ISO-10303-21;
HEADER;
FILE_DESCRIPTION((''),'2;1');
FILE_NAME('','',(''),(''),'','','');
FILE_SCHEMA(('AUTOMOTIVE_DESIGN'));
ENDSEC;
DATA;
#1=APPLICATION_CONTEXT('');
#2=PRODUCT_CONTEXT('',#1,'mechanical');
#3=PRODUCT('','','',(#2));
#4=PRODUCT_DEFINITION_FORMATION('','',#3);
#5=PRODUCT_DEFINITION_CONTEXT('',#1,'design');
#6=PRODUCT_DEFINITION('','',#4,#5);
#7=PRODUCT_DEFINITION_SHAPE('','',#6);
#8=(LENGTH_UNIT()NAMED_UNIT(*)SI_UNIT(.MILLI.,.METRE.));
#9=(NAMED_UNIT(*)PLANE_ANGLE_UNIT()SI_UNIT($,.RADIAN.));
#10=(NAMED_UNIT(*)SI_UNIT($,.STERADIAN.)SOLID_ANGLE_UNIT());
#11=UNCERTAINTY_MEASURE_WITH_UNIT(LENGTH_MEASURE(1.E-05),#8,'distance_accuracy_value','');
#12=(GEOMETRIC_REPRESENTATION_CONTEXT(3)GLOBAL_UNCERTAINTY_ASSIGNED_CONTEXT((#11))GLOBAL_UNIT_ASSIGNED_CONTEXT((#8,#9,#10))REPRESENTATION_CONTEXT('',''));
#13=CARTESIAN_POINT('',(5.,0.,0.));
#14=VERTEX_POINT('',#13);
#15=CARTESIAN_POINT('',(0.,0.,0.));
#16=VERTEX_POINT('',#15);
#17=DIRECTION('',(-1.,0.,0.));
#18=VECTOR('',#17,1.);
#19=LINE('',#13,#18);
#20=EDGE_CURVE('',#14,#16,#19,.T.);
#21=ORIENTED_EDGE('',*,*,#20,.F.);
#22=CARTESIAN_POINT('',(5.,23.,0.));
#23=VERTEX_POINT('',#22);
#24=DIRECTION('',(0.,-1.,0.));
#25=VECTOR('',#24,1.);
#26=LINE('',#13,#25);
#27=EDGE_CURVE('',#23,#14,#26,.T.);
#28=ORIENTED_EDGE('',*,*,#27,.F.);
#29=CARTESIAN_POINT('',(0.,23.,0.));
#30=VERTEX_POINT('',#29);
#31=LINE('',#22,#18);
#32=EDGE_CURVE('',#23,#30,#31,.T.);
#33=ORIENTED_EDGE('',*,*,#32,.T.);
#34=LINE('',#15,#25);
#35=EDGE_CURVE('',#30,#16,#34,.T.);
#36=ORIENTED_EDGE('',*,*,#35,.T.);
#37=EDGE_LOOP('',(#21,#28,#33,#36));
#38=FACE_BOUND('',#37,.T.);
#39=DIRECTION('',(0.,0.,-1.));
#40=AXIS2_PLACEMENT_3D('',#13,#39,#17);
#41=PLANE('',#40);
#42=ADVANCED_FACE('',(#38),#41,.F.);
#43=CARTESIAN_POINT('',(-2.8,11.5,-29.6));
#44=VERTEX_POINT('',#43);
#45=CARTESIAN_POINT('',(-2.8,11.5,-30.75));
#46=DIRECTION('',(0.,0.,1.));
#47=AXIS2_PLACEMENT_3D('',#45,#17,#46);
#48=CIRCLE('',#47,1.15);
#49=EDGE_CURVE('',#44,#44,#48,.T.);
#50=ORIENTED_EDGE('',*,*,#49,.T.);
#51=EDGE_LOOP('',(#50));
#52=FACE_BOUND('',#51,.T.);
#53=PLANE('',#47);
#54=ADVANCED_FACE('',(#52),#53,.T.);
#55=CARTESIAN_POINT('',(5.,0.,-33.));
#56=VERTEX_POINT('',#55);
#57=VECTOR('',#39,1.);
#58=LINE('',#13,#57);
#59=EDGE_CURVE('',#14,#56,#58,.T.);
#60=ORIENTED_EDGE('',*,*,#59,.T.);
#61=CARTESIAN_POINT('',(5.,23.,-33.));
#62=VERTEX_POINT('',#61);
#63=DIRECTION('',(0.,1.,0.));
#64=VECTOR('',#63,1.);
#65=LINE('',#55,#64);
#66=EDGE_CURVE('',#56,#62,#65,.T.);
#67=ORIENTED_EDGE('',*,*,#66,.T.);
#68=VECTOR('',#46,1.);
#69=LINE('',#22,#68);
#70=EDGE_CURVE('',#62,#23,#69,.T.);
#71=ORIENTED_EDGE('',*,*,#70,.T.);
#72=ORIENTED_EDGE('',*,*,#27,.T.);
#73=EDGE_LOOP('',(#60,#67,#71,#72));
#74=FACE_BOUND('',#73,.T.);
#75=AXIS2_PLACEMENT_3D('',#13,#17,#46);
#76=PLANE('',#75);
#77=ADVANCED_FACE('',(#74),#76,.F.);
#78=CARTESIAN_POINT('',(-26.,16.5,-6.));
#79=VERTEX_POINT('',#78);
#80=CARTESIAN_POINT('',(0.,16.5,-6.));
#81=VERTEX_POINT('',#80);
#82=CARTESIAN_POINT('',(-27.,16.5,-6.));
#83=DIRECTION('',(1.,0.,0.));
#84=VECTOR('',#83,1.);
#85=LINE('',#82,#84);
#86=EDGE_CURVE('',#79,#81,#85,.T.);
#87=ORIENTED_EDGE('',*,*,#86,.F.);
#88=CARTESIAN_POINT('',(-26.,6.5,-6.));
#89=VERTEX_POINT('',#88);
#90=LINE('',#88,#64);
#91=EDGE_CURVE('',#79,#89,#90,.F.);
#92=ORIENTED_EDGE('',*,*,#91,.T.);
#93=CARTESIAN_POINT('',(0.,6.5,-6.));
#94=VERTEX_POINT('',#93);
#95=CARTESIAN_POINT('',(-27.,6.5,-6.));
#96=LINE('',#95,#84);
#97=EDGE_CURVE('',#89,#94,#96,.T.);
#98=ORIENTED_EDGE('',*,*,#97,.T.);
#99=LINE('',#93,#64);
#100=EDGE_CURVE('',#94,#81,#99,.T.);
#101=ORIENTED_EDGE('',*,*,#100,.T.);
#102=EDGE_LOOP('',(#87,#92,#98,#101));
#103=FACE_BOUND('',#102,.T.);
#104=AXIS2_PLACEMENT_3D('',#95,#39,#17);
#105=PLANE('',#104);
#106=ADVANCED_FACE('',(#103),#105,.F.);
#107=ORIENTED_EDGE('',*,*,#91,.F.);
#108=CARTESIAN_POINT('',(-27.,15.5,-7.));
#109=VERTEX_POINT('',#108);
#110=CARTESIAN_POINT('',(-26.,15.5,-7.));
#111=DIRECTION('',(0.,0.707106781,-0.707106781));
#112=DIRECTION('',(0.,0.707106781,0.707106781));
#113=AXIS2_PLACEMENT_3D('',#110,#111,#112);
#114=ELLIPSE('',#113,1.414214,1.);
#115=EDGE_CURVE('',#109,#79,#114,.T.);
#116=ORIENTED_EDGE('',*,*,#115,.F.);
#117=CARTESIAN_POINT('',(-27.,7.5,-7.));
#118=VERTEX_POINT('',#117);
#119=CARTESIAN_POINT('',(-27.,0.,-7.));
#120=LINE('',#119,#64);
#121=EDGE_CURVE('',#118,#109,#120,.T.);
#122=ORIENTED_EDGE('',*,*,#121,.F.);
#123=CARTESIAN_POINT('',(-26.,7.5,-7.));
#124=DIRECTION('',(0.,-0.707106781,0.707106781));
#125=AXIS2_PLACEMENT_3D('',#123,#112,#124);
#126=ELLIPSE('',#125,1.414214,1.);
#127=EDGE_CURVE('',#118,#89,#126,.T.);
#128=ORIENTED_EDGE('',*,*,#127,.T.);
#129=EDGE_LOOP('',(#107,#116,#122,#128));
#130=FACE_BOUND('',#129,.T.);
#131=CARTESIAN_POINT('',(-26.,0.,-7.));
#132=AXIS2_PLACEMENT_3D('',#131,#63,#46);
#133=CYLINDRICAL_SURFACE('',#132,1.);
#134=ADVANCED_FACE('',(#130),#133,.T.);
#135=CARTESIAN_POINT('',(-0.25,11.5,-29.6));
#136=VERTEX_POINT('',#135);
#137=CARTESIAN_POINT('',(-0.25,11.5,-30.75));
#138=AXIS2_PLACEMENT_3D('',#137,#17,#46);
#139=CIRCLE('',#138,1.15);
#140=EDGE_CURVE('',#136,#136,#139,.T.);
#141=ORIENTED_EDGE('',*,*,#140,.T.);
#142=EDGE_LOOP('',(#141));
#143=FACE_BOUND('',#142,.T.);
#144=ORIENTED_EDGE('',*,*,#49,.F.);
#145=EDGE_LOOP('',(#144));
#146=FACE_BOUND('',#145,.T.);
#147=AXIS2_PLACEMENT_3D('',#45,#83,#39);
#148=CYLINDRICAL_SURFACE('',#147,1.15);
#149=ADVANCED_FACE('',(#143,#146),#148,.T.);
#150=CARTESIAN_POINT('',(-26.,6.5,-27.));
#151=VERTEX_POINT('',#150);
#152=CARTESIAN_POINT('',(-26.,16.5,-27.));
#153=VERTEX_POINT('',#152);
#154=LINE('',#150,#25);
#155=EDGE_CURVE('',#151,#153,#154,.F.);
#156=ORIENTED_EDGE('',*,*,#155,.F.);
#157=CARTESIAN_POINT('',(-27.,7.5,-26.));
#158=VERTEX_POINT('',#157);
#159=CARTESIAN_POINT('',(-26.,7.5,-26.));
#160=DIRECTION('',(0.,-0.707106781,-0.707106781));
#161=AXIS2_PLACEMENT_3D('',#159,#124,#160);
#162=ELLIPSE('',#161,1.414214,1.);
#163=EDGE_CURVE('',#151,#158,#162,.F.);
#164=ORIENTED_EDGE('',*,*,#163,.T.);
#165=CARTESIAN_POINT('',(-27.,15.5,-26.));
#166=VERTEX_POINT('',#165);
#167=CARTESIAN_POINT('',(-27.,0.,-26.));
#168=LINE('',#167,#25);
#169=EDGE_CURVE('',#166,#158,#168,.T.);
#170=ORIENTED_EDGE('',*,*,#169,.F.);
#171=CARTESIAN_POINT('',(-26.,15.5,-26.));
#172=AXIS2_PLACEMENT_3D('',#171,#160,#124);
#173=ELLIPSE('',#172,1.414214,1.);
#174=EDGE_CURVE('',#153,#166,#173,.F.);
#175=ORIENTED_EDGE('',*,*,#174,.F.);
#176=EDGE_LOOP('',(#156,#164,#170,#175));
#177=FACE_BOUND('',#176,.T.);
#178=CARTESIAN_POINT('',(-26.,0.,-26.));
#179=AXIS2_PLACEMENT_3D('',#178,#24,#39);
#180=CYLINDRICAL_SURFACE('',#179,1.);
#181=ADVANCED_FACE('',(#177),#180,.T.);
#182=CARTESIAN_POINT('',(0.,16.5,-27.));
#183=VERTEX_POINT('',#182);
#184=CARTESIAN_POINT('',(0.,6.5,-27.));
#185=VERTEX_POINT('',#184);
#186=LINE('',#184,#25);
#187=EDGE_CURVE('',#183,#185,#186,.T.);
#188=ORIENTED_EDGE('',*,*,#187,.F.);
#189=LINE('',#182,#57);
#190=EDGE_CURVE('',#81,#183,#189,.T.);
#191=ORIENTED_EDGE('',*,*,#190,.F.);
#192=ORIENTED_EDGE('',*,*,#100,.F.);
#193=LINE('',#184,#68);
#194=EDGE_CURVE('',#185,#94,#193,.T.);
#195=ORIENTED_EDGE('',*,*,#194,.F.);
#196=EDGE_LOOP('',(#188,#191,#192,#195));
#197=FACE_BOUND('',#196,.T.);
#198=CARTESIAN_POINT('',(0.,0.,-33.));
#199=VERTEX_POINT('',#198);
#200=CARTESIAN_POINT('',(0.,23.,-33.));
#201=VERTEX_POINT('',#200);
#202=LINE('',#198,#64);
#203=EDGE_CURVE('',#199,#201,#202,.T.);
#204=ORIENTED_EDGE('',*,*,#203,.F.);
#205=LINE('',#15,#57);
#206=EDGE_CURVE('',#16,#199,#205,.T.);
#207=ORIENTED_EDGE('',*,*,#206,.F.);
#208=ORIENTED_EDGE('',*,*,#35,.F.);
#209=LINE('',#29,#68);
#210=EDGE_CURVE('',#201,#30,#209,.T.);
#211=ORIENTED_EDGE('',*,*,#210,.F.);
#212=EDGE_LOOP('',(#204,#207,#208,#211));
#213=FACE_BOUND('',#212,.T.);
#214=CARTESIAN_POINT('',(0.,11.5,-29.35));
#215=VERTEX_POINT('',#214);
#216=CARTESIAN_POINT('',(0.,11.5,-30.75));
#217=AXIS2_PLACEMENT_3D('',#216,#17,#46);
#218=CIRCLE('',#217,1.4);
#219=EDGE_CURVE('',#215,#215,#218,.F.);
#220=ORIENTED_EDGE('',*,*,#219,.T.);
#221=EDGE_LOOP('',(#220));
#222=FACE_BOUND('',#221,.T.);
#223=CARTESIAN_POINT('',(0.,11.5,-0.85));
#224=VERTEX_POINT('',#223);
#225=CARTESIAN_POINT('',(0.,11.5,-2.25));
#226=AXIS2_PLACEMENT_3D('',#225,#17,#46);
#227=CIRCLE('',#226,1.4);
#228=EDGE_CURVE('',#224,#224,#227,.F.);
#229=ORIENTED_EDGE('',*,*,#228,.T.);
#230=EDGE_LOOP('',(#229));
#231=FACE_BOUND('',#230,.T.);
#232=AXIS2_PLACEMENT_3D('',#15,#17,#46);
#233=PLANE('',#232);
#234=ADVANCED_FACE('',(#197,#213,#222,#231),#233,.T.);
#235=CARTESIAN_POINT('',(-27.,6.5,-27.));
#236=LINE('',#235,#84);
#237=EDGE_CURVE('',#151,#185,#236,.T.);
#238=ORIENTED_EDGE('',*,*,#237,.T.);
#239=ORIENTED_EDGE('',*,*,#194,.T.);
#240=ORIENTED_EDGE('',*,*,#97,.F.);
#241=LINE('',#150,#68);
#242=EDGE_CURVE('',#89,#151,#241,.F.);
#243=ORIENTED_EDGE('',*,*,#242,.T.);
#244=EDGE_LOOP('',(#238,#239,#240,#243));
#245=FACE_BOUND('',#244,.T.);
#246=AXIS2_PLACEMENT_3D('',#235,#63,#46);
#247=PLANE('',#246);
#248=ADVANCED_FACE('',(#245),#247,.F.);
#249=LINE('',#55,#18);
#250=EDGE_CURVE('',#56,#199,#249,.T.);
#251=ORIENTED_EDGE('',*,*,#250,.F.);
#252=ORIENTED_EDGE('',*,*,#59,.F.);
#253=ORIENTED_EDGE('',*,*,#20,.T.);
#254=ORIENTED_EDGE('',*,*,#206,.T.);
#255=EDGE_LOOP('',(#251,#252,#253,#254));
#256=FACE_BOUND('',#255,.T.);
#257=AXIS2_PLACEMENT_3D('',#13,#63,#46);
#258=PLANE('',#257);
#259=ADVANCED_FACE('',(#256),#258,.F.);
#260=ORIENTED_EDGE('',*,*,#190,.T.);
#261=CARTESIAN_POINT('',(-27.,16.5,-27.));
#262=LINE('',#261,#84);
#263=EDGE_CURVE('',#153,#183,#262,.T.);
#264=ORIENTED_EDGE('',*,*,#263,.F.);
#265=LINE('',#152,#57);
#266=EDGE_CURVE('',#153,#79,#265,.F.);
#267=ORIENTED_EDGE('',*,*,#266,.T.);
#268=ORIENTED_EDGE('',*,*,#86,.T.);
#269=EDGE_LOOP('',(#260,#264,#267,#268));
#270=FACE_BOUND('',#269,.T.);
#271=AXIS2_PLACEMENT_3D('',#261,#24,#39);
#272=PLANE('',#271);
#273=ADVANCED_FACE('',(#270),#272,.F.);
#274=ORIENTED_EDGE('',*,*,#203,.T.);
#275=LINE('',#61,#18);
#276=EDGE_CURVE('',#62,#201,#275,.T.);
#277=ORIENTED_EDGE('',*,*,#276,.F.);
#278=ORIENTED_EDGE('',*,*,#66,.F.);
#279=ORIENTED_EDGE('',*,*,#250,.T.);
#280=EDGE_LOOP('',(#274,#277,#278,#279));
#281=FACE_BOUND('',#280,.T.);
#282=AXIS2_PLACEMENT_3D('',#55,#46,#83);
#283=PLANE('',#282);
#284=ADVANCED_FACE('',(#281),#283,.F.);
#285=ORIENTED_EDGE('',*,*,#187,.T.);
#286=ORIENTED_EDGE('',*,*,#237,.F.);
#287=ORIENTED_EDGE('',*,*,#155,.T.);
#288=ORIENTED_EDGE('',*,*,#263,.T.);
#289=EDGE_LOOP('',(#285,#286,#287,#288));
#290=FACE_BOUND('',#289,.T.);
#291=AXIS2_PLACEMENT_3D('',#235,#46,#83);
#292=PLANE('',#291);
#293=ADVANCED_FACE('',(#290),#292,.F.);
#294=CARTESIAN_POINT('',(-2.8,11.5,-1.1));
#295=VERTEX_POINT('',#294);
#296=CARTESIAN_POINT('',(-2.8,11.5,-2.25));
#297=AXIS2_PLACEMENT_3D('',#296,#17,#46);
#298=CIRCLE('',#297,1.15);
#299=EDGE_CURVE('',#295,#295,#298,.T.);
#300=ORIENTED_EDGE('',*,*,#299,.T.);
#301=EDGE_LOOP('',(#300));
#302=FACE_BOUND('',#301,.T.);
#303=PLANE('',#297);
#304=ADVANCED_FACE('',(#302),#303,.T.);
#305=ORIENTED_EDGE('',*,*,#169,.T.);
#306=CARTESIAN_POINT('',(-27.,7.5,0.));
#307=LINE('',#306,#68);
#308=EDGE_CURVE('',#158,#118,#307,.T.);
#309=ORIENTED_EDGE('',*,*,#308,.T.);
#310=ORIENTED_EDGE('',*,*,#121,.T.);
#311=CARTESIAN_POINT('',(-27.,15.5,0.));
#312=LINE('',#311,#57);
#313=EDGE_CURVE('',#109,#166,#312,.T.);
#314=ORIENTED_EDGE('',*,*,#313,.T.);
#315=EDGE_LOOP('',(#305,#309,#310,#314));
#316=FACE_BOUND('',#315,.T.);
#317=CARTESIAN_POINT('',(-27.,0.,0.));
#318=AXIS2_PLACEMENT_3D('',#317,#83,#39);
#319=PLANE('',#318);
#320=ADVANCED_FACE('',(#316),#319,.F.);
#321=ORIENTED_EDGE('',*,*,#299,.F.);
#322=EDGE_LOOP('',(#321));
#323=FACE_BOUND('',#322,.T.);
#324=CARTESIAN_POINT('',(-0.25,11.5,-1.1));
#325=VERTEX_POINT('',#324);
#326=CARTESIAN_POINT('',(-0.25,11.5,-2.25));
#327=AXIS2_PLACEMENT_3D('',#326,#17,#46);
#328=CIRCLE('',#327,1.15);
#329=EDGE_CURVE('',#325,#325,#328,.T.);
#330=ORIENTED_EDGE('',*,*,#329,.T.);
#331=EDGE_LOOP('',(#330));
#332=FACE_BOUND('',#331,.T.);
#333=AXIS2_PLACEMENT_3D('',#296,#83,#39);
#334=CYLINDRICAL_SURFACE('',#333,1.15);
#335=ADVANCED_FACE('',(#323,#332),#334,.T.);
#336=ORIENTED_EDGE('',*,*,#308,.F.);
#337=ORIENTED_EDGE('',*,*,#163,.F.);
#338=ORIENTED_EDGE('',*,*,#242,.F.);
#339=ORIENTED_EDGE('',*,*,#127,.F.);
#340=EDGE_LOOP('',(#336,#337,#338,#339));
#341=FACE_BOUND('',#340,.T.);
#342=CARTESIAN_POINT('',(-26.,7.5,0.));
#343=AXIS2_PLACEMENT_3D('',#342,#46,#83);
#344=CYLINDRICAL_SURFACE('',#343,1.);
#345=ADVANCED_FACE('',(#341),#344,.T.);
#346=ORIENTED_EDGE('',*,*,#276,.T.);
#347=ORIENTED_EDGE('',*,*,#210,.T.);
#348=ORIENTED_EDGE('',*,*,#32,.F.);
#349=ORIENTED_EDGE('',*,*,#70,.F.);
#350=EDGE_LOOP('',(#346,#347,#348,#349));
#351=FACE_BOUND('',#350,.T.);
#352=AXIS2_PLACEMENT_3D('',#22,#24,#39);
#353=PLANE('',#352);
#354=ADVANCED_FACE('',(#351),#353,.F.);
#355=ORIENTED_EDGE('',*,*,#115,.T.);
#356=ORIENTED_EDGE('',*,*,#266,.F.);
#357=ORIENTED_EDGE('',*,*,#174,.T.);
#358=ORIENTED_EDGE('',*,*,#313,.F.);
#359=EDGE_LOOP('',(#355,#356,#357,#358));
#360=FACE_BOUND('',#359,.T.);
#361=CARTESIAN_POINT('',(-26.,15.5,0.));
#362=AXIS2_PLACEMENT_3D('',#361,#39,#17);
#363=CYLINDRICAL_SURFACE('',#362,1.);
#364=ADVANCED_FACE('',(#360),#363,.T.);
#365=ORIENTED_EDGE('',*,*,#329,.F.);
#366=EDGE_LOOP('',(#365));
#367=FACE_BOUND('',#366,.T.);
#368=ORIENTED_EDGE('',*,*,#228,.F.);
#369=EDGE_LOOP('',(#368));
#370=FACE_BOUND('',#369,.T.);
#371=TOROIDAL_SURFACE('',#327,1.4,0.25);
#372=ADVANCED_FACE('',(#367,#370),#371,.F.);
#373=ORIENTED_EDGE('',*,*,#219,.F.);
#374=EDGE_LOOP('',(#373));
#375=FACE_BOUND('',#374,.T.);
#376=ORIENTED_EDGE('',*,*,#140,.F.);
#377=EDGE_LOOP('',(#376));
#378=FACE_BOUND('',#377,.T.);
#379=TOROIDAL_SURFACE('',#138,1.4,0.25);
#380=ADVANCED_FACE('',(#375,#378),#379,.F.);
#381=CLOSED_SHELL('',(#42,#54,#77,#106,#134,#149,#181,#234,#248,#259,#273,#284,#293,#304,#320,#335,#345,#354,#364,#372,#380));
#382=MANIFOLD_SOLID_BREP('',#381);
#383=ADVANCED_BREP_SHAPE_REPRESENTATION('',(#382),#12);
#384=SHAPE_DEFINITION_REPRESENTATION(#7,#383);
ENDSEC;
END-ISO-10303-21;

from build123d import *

# Parameters (mm, degrees)
SKETCH1_W           = 33
SKETCH1_H           = 23
BOSS_EXTRUDE1_DEPTH = 5
SKETCH2_W           = 21
SKETCH2_H           = 10
BOSS_EXTRUDE2_DEPTH = 27
FILLET1_R           = 1
SKETCH3_R           = 1.15
BOSS_EXTRUDE5_DEPTH = 2.8
FILLET9_R           = 0.25


with BuildPart() as part:
    # Sketch1 → Boss-Extrude1 (new body)
    with BuildSketch(Plane(origin=(0, 0, 0), x_dir=(0, 0, -1), z_dir=(1, 0, 0))):
        with Locations((16.5, 11.5)):
            Rectangle(SKETCH1_W, SKETCH1_H)
    extrude(amount=BOSS_EXTRUDE1_DEPTH)

    # Sketch2 → Boss-Extrude2 (add)
    with BuildSketch(Plane.ZY):
        with Locations((-16.5, 11.5)):
            Rectangle(SKETCH2_W, SKETCH2_H)
    extrude(amount=BOSS_EXTRUDE2_DEPTH)

    # Fillet1
    fillet1_edges = [part.edges().sort_by_distance(p)[0] for p in [
        (-27, 11.5, -27),
        (-27, 6.5, -16.5),
        (-27, 11.5, -6),
        (-27, 16.5, -16.5),
    ]]
    fillet(fillet1_edges, radius=FILLET1_R)

    # Sketch3 → Boss-Extrude5 (add)
    with BuildSketch(Plane.ZY):
        with Locations((-2.25, 11.5)):
            Circle(SKETCH3_R)
        with Locations((-30.75, 11.5)):
            Circle(SKETCH3_R)
    extrude(amount=BOSS_EXTRUDE5_DEPTH)

    # Fillet9
    fillet9_edges = [part.edges().sort_by_distance(p)[0] for p in [
        (0, 11.5, -3.4),
        (0, 11.5, -31.9),
    ]]
    fillet(fillet9_edges, radius=FILLET9_R)


solid = part.part
